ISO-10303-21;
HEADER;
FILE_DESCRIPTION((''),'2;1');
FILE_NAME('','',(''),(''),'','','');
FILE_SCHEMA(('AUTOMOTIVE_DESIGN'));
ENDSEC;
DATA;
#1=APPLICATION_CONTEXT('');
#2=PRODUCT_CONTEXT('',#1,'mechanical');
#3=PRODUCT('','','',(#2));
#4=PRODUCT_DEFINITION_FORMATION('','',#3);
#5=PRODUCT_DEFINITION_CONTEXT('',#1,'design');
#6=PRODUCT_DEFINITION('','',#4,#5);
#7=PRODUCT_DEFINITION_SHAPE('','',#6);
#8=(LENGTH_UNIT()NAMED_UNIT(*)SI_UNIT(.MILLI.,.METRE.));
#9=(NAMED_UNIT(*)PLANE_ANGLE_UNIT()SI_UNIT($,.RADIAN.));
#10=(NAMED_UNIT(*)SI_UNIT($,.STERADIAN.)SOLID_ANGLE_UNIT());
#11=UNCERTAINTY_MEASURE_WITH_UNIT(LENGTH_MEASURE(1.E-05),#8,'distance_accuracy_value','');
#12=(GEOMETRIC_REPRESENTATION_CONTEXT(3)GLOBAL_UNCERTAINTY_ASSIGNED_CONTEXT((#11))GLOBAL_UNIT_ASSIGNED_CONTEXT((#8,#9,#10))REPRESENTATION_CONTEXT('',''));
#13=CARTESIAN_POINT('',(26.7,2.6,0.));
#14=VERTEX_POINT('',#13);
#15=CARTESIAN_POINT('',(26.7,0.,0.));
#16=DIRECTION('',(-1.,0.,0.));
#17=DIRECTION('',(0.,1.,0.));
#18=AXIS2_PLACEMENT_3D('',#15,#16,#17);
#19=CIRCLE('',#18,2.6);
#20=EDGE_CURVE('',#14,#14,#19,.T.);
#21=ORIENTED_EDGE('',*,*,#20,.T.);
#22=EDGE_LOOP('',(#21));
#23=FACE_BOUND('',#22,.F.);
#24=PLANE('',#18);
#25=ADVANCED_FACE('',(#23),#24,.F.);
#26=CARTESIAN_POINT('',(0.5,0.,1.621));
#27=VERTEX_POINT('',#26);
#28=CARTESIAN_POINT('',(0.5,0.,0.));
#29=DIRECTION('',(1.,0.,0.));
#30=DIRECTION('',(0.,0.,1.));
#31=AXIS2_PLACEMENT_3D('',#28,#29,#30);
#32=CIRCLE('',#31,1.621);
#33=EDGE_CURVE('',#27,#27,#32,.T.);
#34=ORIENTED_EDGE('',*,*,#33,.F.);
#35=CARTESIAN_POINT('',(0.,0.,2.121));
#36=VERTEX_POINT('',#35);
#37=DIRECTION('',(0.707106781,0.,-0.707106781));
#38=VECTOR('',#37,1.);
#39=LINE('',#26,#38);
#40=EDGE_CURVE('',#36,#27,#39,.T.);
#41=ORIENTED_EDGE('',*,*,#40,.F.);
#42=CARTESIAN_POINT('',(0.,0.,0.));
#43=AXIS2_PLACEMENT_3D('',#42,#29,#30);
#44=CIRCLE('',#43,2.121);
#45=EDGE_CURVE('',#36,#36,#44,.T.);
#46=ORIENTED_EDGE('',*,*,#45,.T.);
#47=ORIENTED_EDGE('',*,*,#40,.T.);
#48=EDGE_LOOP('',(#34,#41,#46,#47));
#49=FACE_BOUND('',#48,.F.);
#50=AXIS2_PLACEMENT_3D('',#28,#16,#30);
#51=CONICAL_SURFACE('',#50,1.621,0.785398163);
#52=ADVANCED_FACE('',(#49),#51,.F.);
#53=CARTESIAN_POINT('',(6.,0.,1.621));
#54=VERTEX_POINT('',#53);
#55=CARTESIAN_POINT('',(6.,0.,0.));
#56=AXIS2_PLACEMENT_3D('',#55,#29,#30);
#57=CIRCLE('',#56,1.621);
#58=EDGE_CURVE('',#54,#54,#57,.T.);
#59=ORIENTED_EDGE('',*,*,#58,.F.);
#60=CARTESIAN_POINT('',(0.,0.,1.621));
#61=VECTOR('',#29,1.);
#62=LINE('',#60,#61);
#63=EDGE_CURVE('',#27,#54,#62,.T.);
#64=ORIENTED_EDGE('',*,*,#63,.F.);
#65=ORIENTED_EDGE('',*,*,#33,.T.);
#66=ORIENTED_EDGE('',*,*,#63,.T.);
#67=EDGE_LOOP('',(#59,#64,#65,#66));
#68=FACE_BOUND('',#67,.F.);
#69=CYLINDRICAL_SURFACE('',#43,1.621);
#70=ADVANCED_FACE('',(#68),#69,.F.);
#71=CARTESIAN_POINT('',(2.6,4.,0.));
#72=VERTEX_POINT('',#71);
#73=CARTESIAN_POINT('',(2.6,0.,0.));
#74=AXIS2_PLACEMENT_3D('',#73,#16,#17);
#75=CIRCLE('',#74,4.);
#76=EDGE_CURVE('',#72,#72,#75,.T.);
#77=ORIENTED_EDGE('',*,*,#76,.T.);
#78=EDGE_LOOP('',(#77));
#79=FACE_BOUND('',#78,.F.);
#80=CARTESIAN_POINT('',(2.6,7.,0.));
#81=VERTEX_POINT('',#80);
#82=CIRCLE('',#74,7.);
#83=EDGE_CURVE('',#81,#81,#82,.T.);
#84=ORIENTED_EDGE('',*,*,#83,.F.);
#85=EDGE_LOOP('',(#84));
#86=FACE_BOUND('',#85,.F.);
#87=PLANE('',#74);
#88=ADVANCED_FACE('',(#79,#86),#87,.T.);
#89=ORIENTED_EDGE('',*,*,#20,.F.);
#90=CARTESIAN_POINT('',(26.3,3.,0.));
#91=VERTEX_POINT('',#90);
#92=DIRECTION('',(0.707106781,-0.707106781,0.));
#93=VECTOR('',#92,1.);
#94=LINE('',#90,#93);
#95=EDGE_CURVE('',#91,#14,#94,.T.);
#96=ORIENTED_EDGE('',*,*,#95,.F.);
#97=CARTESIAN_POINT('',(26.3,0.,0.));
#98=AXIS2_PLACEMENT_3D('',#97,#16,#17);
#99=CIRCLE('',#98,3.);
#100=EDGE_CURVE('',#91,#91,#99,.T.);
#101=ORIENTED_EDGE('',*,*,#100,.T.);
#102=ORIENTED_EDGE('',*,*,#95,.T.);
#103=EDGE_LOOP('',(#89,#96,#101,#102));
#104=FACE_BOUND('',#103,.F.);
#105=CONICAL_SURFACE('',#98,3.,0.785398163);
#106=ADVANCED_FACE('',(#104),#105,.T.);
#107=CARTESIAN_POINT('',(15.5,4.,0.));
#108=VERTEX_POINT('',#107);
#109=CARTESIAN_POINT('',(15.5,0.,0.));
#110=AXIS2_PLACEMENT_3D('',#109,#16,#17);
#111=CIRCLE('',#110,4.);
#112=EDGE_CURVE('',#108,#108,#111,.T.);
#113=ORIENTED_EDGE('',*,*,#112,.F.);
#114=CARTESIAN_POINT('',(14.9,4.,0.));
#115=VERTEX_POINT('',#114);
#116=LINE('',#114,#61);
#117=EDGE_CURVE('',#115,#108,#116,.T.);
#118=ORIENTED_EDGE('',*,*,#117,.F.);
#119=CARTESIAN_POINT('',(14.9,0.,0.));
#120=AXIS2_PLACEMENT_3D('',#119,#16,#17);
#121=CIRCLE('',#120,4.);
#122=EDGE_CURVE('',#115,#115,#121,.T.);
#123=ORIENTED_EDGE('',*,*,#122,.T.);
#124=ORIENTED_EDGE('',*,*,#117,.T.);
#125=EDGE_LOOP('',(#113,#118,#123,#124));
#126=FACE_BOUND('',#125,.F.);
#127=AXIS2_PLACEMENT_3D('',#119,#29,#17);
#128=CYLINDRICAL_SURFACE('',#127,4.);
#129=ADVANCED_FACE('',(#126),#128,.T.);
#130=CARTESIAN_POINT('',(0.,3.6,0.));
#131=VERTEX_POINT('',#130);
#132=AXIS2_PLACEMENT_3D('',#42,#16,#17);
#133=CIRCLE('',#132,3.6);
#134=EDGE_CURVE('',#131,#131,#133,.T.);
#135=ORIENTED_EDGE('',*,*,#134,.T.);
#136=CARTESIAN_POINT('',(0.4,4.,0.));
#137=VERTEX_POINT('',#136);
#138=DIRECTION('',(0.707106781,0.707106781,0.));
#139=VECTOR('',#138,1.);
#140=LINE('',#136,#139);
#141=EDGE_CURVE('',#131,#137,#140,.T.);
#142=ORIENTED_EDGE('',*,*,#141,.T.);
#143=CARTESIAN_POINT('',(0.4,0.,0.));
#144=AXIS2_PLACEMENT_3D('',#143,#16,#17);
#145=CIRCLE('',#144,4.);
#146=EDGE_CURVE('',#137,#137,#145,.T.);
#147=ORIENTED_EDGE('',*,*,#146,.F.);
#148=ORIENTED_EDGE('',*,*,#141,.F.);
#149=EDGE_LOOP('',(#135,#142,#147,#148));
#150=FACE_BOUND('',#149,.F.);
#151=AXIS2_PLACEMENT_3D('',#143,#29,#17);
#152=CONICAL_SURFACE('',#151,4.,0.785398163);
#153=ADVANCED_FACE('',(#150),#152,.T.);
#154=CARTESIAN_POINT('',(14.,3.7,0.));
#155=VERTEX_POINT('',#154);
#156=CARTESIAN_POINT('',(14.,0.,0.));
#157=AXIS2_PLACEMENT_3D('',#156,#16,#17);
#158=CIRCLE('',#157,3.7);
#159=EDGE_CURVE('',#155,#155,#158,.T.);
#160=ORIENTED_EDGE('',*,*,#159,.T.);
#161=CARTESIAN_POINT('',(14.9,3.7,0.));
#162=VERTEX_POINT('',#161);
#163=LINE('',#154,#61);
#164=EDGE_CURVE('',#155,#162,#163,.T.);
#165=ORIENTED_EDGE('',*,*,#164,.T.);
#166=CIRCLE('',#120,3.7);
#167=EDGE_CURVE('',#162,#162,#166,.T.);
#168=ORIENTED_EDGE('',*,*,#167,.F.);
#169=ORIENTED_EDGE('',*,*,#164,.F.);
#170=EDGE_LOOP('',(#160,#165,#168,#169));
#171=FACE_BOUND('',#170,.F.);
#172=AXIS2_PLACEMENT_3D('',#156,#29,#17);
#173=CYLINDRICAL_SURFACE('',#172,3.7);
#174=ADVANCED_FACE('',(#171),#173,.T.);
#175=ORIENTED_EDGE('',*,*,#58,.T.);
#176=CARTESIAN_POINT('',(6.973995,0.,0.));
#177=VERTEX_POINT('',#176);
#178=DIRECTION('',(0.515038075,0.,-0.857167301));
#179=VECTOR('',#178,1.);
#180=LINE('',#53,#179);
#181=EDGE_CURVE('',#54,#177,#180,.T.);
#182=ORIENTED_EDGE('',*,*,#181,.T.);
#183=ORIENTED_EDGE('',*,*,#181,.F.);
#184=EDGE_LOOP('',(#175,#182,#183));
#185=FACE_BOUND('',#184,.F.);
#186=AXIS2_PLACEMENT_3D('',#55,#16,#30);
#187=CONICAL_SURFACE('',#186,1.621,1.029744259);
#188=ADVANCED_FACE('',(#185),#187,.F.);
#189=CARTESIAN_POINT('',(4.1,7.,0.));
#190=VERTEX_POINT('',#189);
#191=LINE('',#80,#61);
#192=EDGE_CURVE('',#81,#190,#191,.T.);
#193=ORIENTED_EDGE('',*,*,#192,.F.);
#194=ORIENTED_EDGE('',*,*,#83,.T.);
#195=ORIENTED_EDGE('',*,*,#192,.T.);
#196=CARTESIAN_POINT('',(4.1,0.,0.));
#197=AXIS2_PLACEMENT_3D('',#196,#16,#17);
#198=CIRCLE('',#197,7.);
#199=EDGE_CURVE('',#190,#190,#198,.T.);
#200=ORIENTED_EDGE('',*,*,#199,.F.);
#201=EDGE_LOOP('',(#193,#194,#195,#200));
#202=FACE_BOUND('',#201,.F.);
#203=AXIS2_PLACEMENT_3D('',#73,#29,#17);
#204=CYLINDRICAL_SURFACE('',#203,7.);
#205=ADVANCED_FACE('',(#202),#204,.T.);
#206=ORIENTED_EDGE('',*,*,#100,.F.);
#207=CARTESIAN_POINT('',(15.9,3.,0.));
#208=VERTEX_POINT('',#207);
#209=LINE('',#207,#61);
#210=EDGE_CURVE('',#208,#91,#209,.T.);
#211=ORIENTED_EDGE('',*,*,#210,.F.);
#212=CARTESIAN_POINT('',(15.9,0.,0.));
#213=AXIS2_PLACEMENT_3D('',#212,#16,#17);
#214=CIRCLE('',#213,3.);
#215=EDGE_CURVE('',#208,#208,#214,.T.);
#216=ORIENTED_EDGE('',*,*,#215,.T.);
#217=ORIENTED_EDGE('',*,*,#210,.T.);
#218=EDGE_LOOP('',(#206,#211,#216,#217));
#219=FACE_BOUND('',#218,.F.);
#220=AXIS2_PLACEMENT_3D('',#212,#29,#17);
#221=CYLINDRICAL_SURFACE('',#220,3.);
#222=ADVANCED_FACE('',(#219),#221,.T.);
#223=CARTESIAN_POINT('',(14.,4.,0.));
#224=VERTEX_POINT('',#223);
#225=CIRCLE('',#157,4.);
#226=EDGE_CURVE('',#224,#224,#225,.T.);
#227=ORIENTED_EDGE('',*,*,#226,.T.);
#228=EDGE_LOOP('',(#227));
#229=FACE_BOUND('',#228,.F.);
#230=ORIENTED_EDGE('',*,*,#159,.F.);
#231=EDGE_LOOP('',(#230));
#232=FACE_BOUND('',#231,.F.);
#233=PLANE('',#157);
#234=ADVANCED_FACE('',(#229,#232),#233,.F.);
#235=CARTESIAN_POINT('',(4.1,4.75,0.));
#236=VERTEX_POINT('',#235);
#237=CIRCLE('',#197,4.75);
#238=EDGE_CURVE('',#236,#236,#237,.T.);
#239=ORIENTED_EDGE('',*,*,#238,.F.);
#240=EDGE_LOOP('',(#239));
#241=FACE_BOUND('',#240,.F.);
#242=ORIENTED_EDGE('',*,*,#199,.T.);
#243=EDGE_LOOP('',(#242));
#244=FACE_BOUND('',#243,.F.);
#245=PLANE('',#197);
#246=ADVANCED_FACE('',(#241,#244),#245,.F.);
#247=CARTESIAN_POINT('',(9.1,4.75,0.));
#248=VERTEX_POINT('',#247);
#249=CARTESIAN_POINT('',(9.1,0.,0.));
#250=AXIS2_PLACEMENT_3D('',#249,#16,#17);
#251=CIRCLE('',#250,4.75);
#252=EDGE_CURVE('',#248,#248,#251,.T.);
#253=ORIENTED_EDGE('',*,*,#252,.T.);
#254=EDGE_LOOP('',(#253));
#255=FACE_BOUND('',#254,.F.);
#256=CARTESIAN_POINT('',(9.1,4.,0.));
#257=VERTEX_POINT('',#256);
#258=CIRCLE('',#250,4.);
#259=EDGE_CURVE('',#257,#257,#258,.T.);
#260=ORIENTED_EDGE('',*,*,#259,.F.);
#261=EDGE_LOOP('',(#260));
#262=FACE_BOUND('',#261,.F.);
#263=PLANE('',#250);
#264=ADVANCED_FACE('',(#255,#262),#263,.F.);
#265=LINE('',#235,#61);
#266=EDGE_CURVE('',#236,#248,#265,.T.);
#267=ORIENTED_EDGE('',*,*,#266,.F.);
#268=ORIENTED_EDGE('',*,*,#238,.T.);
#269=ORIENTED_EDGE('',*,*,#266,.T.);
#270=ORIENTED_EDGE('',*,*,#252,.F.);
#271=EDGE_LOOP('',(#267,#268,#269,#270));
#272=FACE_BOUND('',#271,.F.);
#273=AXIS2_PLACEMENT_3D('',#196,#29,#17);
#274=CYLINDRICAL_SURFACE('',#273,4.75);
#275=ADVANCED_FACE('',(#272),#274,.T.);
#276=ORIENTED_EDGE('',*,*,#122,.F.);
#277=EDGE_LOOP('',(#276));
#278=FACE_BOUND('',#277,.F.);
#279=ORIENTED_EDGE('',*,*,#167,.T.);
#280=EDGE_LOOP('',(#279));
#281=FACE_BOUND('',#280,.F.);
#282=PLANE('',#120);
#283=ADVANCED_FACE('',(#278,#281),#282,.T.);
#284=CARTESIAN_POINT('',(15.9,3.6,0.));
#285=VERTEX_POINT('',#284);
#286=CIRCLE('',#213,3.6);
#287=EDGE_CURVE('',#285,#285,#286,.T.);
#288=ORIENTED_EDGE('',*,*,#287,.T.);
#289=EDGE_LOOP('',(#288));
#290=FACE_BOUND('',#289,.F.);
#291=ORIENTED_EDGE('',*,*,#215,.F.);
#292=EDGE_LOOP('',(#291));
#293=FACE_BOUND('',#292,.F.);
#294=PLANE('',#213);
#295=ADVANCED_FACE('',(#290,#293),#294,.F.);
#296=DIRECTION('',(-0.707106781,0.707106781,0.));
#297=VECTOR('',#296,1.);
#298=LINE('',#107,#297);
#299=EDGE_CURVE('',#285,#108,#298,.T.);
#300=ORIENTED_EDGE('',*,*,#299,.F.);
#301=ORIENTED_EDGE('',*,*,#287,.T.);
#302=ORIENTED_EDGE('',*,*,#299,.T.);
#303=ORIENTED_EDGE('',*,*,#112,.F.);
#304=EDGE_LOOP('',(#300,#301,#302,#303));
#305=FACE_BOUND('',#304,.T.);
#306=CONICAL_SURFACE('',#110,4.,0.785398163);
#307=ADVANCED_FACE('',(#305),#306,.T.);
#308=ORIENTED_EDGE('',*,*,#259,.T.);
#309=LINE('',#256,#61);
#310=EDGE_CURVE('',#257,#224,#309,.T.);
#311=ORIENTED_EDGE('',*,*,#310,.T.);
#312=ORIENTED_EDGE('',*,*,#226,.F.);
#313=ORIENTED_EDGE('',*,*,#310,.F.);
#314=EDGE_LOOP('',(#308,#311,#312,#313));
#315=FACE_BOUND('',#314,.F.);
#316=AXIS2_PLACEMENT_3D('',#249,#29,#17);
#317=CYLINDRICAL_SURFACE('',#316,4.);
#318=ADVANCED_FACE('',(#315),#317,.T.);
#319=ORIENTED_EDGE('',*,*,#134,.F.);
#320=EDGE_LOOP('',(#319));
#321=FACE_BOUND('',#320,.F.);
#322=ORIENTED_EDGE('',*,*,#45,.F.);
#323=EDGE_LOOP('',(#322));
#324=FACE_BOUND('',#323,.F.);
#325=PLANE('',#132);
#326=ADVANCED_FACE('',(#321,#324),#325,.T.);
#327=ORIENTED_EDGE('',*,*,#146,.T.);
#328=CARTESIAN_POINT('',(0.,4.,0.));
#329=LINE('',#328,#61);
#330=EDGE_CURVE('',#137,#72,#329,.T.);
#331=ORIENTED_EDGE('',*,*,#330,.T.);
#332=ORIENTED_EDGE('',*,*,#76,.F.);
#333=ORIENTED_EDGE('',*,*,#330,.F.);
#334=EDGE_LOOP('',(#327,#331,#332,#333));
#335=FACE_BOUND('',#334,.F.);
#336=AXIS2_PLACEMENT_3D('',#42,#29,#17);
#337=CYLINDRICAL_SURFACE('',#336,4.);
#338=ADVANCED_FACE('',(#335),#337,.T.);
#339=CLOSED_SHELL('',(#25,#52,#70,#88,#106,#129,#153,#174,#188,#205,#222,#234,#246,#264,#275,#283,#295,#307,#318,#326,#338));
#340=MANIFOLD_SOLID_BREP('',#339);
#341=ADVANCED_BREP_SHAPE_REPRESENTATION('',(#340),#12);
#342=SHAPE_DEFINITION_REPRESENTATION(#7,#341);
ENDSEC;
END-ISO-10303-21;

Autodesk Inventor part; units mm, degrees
ref_plane "YZ Plane" through (0, 0, 0) normal (1, 0, 0) x (0, 1, 0)
ref_plane "XZ Plane" through (0, 0, 0) normal (0, 1, 0) x (-1, 0, 0)
sketch "Sketch1" plane through (0, 0, 0) normal (0, 0, 1) x (1, 0, 0)
  line L0 (15.9, 4) -> (15.9, 3)
  line L1 (15.9, 3) -> (26.7, 3)
  line L2 (26.7, 3) -> (26.7, 0)
  line L3 (26.7, 0) -> (0, 0)
  line L4 (0, 0) -> (0, 4)
  line L5 (4.1, 4.75) -> (9.1, 4.75)
  line L6 (9.1, 4.75) -> (9.1, 4)
  line L7 (0, 4) -> (2.6, 4)
  line L8 (14, 4) -> (14, 3.7)
  line L9 (14, 3.7) -> (14.9, 3.7)
  line L10 (14.9, 3.7) -> (14.9, 4)
  line L11 (9.1, 4) -> (14, 4)
  line L12 (14.9, 4) -> (15.9, 4)
  line L13 (14.1, 4) -> (14.1, 0) construction
  line L14 (4.1, 4.75) -> (4.1, 0) construction
  line L15 (16.7, 3) -> (16.7, 0) construction
  line L16 (18.2, 3) -> (18.2, 0) construction
  line L17 (2.6, 4) -> (2.6, 7)
  line L18 (2.6, 7) -> (4.1, 7)
  line L19 (4.1, 7) -> (4.1, 4.75)
  line L20 (9.1, 4) -> (9.1, 0) construction
  line L21 (6.1, 4.75) -> (6.1, 0) construction
  dimension "d0" = 6
  dimension "d2" = 9.5
  dimension "d3" = 8
  dimension "d7" = 0.9
  dimension "d8" = 7.4
  dimension "d9" = 1
  dimension "Cover_MountingPlate_Thickness" = 1.5
  dimension "d23" = 0.8
  dimension "MountingPlate_MEnc_Distance" = 14.1
  dimension "d25" = 8.5
  dimension "d29" = 14
  dimension "d31" = 1.5
  dimension "d32" = 2.6
  dimension "d33" = 0.1
  dimension "d34" = 5
  dimension "d35" = 8
  dimension "d36" = 2
revolve "Revolution1" add sketch "Sketch1" angle 360 about axis through (26.7, 0, 0) along (-1, 0, 0)
chamfer "Chamfer1" distance 0.4 angle 45 3 edges at (0, -4, 0) (26.7, -3, 0) (15.9, -4, 0)
ref_plane "Work Plane4" through (26.7, 0, 0) normal (1, 0, 0) x (0, 0, -1)
ref_plane "Work Plane3" through (18.2, 0, 0) normal (1, 0, 0) x (0, 0, -1)
sketch "Sketch2" plane through (0, 0, 0) normal (-1, 0, 0) x (0, 0, 1)
  point P0 (0, 0)
  point P1 (0, 0)
hole "Hole1" at (0, 0, 0) direction (1, 0, 0) diameter 3.242 depth 6 tip angle 118 thread size "M4x0.7" class "6H" standard "ISO Metric profile"
chamfer "Chamfer2" distance 0.5 angle 45 1 edges at (0, 0, -1.621)
ref_plane "Work Plane2" through (16.7, 0, 0) normal (1, 0, 0) x (0, 0, -1)
equation "\"d35\" = ShaftFixation_UpperLower_Height"
equation "\"d36\" = BasePlate_UpperLowerConnector_Height"
equation "\"d18\" = d23"
equation "\"d19\" = Cover_MountingPlate_Thickness"
equation "\"d20\" = d25"
equation "\"ShaftFixation_UpperLower_Height\" = 8"
equation "\"BasePlate_UpperLowerConnector_Height\" = 2"
properties part number "UpperLowerArm_JointShaft" material "Aluminum 6061"
